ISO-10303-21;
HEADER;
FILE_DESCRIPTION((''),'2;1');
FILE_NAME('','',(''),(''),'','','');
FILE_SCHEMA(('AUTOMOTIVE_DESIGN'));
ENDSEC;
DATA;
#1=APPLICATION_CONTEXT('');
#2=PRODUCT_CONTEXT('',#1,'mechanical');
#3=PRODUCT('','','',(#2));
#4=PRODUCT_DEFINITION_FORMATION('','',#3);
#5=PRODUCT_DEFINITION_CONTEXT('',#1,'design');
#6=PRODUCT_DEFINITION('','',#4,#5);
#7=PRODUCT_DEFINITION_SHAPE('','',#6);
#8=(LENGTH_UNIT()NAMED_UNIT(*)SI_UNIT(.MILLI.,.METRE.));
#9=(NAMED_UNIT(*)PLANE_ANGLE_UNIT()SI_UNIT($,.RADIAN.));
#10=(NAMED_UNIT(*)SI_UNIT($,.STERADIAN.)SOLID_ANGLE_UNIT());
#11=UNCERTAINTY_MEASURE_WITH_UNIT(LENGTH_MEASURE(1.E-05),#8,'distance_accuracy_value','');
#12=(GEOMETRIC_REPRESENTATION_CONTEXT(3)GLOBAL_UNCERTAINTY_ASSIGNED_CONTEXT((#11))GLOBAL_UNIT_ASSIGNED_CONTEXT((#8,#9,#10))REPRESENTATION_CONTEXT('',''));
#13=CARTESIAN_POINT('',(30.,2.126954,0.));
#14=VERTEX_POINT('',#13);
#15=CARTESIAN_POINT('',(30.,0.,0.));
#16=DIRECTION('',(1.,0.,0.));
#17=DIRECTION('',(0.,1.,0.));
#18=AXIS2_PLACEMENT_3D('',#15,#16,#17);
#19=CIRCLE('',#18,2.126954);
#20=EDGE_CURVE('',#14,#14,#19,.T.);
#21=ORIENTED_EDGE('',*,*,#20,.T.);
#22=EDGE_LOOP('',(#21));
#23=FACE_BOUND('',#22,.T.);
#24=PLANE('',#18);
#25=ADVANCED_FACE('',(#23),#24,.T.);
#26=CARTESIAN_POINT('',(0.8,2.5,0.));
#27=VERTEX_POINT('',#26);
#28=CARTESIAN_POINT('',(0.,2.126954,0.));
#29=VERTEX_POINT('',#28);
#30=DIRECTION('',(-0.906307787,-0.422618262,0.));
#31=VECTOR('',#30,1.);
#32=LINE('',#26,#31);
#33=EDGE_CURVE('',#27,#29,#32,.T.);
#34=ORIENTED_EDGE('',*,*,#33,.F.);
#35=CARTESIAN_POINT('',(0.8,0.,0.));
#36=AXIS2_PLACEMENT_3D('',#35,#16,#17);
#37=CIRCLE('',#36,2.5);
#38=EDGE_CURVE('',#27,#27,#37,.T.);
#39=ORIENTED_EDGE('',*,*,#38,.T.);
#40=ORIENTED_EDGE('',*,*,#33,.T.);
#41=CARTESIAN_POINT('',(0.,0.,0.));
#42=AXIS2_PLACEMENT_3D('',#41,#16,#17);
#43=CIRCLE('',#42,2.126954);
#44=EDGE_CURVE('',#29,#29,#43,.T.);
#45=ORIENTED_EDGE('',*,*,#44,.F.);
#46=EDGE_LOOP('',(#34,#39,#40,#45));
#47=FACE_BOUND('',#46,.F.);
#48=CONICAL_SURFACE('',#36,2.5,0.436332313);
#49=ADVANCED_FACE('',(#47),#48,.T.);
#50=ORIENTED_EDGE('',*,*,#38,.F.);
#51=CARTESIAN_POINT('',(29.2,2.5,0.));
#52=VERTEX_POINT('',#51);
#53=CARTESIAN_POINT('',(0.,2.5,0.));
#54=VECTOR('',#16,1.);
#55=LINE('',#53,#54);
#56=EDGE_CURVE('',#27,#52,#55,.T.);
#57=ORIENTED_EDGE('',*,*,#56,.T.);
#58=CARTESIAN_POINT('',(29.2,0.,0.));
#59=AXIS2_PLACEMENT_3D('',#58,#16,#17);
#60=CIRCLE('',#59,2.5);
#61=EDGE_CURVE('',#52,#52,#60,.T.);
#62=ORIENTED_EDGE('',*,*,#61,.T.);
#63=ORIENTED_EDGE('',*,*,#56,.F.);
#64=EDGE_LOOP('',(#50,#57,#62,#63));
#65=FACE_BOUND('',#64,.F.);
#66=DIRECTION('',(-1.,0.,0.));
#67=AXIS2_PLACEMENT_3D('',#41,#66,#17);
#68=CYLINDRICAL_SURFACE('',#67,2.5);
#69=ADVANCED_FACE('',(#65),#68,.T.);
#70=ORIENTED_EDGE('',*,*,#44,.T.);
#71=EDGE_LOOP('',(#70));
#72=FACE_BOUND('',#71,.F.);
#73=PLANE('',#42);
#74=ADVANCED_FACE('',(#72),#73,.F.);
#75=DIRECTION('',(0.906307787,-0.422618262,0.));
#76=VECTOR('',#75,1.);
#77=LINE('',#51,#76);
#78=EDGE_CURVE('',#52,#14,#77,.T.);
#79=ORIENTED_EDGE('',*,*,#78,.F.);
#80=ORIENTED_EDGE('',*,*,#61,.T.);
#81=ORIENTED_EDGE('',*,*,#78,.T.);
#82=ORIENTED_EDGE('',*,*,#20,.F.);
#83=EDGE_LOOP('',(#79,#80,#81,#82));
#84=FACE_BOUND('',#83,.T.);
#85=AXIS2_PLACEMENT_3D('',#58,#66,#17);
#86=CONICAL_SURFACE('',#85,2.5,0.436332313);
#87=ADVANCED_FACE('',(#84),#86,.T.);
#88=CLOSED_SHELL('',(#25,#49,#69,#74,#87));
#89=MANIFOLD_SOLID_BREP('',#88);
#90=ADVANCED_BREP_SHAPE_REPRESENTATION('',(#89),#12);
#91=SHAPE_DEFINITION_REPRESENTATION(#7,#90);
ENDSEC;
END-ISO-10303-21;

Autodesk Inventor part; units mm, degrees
ref_plane "YZ Plane" through (0, 0, 0) normal (1, 0, 0) x (0, 1, 0)
ref_plane "XZ Plane" through (0, 0, 0) normal (0, 1, 0) x (-1, 0, 0)
ref_plane "XY Plane" through (0, 0, 0) normal (0, 0, 1) x (1, 0, 0)
sketch "Эскиз" plane through (0, 0, 0) normal (1, 0, 0) x (0, 1, 0)
  circle A0 centre (0, 0) radius 2.5
  dimension "d1" = 5
extrude "Базовый элемент" add sketch "Эскиз" along normal blind 30
chamfer "Фаска1" distance 0.8 angle 25 1 edges at (0, -2.5, 0) measured on face at (20, 2.4919, -0.2012)
chamfer "Эскиз2" distance 0.8 angle 25 1 edges at (30, -2.5, 0) measured on face at (20.2667, 2.4919, -0.2012)
equation "\"d1\" = NND"
equation "\"d2\" = NLG"
equation "\"d8\" = PHH"
equation "\"d9\" = FAWI"
equation "\"d12\" = PHH"
equation "\"d4\" = PHH"
equation "\"d5\" = FAWI"
equation "\"d11\" = PHH"
equation "\"NND\" = 5"
equation "\"NLG\" = 30"
equation "\"PHH\" = 0.8"
equation "\"FAWI\" = 25deg"
equation "\"KAH\" = 0"
properties part number "Штифт 2.5x30 ГОСТ 3128-70" material "Сталь, мягкая"
